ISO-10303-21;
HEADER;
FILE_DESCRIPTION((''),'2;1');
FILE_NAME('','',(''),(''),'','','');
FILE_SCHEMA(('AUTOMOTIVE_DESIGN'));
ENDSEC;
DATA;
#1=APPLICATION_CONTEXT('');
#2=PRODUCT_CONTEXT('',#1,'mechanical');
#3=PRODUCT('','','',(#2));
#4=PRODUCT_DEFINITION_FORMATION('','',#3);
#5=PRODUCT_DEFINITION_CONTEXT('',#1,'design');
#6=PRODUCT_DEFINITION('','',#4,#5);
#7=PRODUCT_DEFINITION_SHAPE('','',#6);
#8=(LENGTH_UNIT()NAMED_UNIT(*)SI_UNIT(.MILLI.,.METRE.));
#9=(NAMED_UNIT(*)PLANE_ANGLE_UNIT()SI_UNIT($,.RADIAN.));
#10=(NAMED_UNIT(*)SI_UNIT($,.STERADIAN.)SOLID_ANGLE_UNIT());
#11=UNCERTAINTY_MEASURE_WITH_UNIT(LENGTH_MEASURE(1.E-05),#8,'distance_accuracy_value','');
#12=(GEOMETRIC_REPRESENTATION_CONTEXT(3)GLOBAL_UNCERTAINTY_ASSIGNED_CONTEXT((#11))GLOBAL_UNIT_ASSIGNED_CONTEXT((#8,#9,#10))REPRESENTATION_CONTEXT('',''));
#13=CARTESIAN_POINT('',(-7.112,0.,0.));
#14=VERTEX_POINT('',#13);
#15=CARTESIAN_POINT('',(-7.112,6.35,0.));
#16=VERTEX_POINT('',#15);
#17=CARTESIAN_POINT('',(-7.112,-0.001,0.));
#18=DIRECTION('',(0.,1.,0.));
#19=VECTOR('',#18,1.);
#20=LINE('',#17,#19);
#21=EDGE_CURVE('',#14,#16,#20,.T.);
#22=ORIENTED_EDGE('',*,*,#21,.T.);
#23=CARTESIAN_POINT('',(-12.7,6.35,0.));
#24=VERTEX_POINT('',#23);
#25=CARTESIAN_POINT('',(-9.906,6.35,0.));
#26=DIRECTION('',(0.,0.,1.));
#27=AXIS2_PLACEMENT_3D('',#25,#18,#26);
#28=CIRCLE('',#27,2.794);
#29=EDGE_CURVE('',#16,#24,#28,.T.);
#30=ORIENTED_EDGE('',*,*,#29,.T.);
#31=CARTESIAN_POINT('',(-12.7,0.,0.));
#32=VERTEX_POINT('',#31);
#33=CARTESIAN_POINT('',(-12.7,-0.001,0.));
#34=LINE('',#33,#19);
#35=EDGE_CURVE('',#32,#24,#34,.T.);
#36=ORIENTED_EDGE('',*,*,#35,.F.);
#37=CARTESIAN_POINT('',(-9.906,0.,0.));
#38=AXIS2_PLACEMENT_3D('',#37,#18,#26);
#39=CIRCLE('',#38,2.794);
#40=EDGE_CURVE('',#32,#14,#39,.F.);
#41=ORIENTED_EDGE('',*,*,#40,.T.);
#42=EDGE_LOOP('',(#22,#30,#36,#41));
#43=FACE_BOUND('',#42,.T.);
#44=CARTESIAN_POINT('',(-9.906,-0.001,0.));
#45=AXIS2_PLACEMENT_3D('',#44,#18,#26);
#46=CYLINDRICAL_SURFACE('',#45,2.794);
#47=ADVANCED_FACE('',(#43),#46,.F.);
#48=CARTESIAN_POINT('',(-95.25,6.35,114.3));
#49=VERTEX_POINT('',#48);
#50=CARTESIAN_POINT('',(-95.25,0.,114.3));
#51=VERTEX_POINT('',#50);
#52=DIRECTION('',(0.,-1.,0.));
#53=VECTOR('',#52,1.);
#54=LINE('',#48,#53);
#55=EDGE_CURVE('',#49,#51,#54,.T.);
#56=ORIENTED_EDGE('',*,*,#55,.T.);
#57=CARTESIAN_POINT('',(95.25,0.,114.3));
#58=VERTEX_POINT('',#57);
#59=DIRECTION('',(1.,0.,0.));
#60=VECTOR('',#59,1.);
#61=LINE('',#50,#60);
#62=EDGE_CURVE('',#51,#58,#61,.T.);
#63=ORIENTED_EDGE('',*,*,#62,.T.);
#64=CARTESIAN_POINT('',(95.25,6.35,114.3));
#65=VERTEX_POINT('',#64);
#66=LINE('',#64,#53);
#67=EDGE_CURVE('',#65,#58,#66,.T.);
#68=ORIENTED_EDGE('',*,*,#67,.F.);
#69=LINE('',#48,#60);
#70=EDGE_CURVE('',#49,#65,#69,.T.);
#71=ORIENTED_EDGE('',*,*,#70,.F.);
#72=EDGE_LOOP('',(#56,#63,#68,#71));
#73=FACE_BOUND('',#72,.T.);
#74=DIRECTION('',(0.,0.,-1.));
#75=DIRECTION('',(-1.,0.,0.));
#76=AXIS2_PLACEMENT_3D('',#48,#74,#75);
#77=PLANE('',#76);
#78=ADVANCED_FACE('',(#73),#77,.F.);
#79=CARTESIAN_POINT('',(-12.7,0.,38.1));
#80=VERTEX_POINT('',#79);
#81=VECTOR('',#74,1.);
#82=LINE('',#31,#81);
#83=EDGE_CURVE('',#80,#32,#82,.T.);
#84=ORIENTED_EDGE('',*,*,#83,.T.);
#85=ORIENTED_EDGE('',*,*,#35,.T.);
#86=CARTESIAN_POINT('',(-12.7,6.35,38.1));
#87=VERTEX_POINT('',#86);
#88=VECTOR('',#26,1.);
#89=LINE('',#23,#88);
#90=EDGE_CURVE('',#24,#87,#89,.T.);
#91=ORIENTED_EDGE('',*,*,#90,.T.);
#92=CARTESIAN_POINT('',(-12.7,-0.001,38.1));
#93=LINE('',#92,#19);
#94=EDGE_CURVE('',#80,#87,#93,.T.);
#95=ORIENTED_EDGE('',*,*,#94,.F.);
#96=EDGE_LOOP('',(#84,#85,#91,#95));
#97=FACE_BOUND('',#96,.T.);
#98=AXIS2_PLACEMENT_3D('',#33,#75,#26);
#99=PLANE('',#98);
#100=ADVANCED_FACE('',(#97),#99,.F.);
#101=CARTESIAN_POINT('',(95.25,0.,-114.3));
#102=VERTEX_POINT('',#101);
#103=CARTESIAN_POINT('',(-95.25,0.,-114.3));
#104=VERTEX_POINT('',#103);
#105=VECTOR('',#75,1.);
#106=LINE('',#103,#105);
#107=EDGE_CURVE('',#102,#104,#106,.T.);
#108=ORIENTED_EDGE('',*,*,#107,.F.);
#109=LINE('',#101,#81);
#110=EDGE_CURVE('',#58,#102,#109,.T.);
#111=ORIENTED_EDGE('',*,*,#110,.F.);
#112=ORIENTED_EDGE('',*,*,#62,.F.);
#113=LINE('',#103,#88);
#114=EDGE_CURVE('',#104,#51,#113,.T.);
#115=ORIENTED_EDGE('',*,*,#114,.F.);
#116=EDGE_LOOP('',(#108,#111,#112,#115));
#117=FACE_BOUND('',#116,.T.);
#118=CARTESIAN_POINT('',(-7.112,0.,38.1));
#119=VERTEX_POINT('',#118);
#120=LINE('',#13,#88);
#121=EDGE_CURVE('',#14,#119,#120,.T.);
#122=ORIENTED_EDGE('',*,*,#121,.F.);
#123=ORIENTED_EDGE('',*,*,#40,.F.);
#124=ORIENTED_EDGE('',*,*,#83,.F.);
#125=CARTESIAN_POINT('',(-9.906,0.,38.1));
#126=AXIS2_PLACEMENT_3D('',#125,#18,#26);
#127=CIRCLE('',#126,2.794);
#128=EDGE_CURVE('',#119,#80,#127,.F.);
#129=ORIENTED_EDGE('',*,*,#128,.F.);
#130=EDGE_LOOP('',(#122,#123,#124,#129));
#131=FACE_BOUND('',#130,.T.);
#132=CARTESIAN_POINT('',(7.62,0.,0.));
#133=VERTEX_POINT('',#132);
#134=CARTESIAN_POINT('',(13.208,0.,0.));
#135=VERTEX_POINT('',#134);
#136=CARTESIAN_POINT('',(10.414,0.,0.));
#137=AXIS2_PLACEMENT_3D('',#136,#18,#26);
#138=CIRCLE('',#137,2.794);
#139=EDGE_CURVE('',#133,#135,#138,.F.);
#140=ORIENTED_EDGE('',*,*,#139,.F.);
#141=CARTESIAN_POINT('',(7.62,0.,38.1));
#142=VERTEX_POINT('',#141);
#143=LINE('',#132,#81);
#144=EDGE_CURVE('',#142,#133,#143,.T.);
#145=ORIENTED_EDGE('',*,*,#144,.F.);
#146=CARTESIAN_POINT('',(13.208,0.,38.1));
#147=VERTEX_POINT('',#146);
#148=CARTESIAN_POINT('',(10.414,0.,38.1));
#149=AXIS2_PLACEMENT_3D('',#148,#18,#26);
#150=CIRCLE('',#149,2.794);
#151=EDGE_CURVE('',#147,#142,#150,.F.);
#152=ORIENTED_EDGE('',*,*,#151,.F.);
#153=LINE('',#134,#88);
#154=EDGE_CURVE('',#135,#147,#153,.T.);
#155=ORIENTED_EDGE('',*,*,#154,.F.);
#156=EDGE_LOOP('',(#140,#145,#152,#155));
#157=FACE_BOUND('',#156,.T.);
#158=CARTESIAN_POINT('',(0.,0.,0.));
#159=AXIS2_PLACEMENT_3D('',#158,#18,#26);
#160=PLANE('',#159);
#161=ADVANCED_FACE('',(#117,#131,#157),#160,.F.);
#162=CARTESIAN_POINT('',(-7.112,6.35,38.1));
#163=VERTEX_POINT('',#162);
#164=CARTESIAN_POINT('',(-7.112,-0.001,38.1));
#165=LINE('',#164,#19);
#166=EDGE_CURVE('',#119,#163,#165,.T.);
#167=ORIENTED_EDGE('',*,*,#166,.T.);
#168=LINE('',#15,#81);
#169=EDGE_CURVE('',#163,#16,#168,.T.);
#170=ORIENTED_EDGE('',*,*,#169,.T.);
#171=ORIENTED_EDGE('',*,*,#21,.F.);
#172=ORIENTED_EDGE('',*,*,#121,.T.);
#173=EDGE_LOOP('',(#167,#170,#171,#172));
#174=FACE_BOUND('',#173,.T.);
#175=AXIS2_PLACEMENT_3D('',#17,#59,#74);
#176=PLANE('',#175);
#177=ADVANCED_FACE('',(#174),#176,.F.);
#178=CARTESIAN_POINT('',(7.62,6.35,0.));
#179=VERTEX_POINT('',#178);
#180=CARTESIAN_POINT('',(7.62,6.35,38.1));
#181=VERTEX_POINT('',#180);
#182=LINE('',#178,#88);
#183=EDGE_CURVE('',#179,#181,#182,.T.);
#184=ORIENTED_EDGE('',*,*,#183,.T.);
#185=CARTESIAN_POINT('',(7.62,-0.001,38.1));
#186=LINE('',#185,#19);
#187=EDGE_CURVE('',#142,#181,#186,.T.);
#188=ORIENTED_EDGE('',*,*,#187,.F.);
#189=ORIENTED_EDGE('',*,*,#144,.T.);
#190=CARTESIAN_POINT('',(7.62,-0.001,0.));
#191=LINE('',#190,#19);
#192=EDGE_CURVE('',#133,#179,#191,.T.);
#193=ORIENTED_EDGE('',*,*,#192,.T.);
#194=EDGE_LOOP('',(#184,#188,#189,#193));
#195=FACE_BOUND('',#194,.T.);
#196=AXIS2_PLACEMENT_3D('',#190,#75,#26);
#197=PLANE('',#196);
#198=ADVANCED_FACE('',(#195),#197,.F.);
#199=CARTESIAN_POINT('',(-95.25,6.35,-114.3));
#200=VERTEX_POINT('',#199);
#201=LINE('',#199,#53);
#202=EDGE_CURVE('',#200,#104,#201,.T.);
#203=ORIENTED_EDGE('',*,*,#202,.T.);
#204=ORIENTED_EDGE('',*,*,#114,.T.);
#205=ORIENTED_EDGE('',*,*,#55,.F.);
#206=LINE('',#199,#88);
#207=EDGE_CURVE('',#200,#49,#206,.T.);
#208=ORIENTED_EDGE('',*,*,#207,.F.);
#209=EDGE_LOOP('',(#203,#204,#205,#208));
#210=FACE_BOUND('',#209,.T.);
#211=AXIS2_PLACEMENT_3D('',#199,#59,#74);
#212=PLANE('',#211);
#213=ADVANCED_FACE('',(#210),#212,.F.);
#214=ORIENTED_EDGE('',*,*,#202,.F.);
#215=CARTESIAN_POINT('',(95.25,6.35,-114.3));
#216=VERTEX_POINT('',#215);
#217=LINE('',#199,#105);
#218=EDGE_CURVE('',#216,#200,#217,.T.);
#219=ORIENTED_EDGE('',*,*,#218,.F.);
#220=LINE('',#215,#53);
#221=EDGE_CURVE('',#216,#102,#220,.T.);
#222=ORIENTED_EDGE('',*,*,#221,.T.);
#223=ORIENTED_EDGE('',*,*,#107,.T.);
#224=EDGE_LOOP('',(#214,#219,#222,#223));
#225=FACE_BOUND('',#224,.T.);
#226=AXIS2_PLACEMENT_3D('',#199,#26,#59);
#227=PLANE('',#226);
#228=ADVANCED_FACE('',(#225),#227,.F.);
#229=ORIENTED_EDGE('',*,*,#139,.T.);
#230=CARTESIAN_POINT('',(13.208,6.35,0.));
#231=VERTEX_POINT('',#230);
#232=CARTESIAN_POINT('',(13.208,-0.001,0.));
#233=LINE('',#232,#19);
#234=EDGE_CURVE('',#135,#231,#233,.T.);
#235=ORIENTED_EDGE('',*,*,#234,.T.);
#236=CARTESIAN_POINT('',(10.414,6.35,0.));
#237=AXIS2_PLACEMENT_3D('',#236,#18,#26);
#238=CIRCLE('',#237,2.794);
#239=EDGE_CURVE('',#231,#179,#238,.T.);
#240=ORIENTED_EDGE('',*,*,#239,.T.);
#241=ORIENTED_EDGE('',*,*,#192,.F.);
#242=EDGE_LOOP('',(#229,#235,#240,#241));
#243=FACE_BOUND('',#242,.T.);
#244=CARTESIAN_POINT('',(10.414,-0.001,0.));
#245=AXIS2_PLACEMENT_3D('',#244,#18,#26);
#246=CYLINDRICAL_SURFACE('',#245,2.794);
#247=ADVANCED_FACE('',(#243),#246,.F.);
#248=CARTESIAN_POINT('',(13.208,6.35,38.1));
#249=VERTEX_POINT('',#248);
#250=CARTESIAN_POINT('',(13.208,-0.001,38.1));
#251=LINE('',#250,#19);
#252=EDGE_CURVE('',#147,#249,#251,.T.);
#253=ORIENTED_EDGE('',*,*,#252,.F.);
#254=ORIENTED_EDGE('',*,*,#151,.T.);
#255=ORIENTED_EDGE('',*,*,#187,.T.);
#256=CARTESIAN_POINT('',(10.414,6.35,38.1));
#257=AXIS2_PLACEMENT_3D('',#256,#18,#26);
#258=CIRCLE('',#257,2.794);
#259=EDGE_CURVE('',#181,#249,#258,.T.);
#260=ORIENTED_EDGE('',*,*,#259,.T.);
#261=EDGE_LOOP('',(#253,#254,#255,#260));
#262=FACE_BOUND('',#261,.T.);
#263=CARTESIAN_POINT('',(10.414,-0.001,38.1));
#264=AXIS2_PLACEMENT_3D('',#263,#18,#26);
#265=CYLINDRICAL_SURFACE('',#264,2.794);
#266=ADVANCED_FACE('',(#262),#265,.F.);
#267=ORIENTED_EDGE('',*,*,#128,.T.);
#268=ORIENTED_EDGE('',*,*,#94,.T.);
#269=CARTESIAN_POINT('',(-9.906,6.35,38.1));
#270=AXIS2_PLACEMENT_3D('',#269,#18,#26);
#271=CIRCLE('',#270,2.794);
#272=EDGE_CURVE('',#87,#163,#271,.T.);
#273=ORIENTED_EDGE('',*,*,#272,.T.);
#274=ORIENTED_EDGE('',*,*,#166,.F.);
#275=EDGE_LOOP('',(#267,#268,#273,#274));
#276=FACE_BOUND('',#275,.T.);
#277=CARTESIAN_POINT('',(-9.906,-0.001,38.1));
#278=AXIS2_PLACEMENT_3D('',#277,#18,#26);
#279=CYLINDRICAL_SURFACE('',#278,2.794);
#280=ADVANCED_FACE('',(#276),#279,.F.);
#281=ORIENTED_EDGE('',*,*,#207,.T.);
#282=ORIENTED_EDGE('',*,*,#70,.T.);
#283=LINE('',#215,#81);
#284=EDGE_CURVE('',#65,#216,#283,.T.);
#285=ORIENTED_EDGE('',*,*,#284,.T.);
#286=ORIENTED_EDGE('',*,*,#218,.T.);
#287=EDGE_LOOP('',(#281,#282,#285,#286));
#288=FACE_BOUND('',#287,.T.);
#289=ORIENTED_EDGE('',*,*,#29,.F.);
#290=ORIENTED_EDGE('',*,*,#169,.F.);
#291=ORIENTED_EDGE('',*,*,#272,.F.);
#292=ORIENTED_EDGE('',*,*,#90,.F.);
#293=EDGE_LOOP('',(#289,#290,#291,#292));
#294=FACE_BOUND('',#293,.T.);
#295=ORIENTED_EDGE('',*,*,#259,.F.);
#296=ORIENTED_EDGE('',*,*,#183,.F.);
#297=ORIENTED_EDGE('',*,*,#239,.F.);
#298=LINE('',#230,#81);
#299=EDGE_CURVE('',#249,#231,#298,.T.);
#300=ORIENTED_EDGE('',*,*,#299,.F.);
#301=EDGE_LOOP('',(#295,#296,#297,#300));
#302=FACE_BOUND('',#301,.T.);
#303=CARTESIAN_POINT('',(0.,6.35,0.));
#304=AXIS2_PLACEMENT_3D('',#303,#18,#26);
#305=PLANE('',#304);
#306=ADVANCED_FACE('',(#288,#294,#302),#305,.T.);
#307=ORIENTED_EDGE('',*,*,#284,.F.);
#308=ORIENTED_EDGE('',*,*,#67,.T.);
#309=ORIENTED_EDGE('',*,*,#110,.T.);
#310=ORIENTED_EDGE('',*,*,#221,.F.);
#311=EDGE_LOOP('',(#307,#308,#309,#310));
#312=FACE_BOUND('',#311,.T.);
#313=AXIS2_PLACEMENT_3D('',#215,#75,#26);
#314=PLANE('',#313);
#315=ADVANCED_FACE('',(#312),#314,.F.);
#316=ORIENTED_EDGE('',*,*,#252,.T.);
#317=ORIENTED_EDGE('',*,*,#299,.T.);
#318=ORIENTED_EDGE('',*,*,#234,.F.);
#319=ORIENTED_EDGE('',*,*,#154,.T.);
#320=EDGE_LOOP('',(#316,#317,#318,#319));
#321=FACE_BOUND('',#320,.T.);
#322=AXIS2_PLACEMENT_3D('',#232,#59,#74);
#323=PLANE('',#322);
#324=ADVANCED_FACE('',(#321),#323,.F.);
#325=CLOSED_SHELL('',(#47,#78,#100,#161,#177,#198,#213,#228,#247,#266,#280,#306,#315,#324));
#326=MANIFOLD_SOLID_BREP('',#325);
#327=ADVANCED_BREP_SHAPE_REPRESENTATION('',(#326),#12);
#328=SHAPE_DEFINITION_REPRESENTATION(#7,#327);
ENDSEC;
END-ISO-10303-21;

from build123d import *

# Parameters (mm, degrees)
SKETCH1_W           = 190.5
SKETCH1_H           = 228.6
BOSS_EXTRUDE1_DEPTH = 6.35
CUT_EXTRUDE1_REACH  = 8.35


with BuildPart() as part:
    # Sketch1 → Boss-Extrude1 (new body)
    with BuildSketch(Plane(origin=(0, 0, 0), x_dir=(1, 0, 0), z_dir=(0, 1, 0))):
        Rectangle(SKETCH1_W, SKETCH1_H)
    extrude(amount=BOSS_EXTRUDE1_DEPTH)

    # Sketch2 → Cut-Extrude1 (cut, up to next)
    with BuildSketch(Plane(origin=(0, 6.35, 0), x_dir=(1, 0, 0), z_dir=(0, 1, 0)), mode=Mode.PRIVATE) as cut_extrude1_sk1:
        with BuildLine():
            Line((-7.112, 0), (-7.112, -38.1))
            ThreePointArc((-7.112, -38.1), (-9.906, -40.894), (-12.7, -38.1))
            Line((-12.7, -38.1), (-12.7, 0))
            ThreePointArc((-12.7, 0), (-9.906, 2.794), (-7.112, 0))
        make_face()
    cut_extrude1_tool1 = extrude(cut_extrude1_sk1.sketch, amount=-CUT_EXTRUDE1_REACH, mode=Mode.PRIVATE) & part.part
    add(cut_extrude1_tool1.solids().sort_by_distance((-9.906, 6.35, 19.05))[0], mode=Mode.SUBTRACT)
    # Sketch2 → Cut-Extrude1 (cut, up to next)
    with BuildSketch(Plane(origin=(0, 6.35, 0), x_dir=(1, 0, 0), z_dir=(0, 1, 0)), mode=Mode.PRIVATE) as cut_extrude1_sk2:
        with BuildLine():
            Line((13.208, 0), (13.208, -38.1))
            ThreePointArc((13.208, -38.1), (10.414, -40.894), (7.62, -38.1))
            Line((7.62, -38.1), (7.62, 0))
            ThreePointArc((7.62, 0), (10.414, 2.794), (13.208, 0))
        make_face()
    cut_extrude1_tool2 = extrude(cut_extrude1_sk2.sketch, amount=-CUT_EXTRUDE1_REACH, mode=Mode.PRIVATE) & part.part
    add(cut_extrude1_tool2.solids().sort_by_distance((10.414, 6.35, 19.05))[0], mode=Mode.SUBTRACT)


solid = part.part
